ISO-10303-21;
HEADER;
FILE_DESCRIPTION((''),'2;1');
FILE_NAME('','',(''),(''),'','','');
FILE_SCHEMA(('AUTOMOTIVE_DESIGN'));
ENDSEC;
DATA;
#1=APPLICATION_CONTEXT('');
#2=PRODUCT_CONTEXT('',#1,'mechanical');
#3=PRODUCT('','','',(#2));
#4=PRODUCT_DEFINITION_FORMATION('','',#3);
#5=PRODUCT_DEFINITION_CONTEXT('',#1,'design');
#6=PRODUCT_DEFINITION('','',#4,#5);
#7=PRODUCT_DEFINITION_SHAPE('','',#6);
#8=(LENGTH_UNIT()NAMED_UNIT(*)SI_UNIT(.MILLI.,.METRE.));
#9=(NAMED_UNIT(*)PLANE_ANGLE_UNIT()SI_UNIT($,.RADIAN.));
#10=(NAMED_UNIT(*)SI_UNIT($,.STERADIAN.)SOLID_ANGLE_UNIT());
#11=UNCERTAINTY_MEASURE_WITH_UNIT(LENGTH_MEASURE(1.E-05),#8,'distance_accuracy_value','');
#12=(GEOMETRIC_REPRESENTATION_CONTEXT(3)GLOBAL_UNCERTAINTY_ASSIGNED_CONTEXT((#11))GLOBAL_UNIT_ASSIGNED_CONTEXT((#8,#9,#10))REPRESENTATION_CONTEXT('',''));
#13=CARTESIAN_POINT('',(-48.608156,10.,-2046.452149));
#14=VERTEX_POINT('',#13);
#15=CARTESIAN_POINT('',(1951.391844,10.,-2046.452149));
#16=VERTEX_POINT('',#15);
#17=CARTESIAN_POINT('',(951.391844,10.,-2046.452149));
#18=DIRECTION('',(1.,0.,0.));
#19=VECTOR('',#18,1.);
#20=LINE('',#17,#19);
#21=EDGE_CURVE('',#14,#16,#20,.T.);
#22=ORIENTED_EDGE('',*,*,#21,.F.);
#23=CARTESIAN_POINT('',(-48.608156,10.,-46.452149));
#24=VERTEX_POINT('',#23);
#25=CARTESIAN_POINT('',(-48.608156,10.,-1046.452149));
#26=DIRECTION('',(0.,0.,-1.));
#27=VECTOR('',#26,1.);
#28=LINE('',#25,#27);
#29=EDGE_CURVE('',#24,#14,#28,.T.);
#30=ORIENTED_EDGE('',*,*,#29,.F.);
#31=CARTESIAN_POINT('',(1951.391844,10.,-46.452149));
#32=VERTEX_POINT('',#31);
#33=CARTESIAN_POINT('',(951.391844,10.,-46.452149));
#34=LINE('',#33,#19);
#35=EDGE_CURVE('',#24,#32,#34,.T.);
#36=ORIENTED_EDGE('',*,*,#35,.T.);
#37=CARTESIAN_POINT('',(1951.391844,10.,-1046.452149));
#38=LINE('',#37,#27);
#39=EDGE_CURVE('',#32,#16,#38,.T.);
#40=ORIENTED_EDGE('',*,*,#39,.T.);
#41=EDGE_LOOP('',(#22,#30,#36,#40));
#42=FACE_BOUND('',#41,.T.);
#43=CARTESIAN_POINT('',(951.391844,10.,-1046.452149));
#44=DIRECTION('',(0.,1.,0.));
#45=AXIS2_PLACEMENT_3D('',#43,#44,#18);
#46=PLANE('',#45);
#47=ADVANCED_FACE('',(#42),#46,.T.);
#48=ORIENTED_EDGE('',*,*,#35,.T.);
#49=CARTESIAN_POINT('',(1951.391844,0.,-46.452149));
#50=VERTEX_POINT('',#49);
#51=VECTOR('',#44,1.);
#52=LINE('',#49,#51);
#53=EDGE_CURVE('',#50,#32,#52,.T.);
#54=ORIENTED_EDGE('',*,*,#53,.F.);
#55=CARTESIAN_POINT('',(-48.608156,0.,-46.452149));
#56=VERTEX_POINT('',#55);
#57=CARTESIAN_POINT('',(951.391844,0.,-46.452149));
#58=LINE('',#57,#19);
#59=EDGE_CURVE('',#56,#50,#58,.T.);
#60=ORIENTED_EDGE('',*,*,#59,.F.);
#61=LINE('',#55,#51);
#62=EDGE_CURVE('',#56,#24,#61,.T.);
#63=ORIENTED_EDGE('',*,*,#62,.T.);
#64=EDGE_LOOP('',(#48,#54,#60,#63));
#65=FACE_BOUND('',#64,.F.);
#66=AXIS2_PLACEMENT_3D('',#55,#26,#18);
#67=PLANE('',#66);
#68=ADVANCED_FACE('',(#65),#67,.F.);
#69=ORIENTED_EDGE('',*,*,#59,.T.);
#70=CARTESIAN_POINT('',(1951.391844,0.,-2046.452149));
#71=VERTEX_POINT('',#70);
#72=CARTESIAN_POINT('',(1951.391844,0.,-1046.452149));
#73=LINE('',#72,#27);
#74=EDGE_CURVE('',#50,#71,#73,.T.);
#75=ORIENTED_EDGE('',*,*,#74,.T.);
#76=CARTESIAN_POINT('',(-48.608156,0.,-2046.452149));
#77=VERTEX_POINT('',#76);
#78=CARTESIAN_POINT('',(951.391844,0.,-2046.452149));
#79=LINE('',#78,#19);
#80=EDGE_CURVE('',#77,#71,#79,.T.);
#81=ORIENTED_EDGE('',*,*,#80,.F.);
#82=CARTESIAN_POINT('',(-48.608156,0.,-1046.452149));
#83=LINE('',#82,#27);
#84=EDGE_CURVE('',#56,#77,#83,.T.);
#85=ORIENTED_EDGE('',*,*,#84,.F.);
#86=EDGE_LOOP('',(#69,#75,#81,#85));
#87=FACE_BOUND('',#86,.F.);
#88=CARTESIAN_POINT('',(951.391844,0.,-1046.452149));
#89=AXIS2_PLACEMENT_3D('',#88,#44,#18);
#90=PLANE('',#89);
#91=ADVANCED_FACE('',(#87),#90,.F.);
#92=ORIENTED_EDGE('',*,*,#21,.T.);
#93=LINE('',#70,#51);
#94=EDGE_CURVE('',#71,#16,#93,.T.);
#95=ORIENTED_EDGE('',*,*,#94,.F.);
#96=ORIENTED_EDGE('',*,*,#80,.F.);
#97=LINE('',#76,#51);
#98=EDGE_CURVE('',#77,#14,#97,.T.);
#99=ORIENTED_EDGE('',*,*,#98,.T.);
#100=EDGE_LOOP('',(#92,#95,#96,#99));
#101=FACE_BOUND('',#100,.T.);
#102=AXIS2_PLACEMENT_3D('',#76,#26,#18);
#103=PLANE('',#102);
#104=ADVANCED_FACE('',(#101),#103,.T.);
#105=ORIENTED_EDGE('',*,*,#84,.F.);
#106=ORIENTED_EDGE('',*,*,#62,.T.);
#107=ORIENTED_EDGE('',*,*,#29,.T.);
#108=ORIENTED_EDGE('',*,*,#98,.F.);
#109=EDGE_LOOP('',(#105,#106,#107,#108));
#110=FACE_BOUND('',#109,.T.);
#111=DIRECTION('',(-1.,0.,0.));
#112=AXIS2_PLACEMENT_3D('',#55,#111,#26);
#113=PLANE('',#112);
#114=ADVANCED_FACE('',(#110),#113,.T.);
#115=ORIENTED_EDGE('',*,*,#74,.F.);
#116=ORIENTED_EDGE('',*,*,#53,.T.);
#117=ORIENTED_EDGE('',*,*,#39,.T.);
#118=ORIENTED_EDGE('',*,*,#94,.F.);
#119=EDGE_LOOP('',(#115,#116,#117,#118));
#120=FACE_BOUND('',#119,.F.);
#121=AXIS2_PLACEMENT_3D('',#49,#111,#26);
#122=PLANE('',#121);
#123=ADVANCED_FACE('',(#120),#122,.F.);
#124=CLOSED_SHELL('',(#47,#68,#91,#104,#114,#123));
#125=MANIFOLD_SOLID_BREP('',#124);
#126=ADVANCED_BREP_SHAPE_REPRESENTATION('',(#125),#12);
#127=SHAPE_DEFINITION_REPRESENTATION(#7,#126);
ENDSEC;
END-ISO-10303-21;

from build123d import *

# Parameters (mm, degrees)
SKETCH1_W           = 2000
SKETCH1_H           = 2000
BOSS_EXTRUDE1_DEPTH = 10


with BuildPart() as part:
    # Sketch1 → Boss-Extrude1 (new body)
    with BuildSketch(Plane(origin=(0, 0, 0), x_dir=(1, 0, 0), z_dir=(0, 1, 0))):
        with Locations((951.391844411, 1046.452148688)):
            Rectangle(SKETCH1_W, SKETCH1_H)
    extrude(amount=BOSS_EXTRUDE1_DEPTH)


solid = part.part
